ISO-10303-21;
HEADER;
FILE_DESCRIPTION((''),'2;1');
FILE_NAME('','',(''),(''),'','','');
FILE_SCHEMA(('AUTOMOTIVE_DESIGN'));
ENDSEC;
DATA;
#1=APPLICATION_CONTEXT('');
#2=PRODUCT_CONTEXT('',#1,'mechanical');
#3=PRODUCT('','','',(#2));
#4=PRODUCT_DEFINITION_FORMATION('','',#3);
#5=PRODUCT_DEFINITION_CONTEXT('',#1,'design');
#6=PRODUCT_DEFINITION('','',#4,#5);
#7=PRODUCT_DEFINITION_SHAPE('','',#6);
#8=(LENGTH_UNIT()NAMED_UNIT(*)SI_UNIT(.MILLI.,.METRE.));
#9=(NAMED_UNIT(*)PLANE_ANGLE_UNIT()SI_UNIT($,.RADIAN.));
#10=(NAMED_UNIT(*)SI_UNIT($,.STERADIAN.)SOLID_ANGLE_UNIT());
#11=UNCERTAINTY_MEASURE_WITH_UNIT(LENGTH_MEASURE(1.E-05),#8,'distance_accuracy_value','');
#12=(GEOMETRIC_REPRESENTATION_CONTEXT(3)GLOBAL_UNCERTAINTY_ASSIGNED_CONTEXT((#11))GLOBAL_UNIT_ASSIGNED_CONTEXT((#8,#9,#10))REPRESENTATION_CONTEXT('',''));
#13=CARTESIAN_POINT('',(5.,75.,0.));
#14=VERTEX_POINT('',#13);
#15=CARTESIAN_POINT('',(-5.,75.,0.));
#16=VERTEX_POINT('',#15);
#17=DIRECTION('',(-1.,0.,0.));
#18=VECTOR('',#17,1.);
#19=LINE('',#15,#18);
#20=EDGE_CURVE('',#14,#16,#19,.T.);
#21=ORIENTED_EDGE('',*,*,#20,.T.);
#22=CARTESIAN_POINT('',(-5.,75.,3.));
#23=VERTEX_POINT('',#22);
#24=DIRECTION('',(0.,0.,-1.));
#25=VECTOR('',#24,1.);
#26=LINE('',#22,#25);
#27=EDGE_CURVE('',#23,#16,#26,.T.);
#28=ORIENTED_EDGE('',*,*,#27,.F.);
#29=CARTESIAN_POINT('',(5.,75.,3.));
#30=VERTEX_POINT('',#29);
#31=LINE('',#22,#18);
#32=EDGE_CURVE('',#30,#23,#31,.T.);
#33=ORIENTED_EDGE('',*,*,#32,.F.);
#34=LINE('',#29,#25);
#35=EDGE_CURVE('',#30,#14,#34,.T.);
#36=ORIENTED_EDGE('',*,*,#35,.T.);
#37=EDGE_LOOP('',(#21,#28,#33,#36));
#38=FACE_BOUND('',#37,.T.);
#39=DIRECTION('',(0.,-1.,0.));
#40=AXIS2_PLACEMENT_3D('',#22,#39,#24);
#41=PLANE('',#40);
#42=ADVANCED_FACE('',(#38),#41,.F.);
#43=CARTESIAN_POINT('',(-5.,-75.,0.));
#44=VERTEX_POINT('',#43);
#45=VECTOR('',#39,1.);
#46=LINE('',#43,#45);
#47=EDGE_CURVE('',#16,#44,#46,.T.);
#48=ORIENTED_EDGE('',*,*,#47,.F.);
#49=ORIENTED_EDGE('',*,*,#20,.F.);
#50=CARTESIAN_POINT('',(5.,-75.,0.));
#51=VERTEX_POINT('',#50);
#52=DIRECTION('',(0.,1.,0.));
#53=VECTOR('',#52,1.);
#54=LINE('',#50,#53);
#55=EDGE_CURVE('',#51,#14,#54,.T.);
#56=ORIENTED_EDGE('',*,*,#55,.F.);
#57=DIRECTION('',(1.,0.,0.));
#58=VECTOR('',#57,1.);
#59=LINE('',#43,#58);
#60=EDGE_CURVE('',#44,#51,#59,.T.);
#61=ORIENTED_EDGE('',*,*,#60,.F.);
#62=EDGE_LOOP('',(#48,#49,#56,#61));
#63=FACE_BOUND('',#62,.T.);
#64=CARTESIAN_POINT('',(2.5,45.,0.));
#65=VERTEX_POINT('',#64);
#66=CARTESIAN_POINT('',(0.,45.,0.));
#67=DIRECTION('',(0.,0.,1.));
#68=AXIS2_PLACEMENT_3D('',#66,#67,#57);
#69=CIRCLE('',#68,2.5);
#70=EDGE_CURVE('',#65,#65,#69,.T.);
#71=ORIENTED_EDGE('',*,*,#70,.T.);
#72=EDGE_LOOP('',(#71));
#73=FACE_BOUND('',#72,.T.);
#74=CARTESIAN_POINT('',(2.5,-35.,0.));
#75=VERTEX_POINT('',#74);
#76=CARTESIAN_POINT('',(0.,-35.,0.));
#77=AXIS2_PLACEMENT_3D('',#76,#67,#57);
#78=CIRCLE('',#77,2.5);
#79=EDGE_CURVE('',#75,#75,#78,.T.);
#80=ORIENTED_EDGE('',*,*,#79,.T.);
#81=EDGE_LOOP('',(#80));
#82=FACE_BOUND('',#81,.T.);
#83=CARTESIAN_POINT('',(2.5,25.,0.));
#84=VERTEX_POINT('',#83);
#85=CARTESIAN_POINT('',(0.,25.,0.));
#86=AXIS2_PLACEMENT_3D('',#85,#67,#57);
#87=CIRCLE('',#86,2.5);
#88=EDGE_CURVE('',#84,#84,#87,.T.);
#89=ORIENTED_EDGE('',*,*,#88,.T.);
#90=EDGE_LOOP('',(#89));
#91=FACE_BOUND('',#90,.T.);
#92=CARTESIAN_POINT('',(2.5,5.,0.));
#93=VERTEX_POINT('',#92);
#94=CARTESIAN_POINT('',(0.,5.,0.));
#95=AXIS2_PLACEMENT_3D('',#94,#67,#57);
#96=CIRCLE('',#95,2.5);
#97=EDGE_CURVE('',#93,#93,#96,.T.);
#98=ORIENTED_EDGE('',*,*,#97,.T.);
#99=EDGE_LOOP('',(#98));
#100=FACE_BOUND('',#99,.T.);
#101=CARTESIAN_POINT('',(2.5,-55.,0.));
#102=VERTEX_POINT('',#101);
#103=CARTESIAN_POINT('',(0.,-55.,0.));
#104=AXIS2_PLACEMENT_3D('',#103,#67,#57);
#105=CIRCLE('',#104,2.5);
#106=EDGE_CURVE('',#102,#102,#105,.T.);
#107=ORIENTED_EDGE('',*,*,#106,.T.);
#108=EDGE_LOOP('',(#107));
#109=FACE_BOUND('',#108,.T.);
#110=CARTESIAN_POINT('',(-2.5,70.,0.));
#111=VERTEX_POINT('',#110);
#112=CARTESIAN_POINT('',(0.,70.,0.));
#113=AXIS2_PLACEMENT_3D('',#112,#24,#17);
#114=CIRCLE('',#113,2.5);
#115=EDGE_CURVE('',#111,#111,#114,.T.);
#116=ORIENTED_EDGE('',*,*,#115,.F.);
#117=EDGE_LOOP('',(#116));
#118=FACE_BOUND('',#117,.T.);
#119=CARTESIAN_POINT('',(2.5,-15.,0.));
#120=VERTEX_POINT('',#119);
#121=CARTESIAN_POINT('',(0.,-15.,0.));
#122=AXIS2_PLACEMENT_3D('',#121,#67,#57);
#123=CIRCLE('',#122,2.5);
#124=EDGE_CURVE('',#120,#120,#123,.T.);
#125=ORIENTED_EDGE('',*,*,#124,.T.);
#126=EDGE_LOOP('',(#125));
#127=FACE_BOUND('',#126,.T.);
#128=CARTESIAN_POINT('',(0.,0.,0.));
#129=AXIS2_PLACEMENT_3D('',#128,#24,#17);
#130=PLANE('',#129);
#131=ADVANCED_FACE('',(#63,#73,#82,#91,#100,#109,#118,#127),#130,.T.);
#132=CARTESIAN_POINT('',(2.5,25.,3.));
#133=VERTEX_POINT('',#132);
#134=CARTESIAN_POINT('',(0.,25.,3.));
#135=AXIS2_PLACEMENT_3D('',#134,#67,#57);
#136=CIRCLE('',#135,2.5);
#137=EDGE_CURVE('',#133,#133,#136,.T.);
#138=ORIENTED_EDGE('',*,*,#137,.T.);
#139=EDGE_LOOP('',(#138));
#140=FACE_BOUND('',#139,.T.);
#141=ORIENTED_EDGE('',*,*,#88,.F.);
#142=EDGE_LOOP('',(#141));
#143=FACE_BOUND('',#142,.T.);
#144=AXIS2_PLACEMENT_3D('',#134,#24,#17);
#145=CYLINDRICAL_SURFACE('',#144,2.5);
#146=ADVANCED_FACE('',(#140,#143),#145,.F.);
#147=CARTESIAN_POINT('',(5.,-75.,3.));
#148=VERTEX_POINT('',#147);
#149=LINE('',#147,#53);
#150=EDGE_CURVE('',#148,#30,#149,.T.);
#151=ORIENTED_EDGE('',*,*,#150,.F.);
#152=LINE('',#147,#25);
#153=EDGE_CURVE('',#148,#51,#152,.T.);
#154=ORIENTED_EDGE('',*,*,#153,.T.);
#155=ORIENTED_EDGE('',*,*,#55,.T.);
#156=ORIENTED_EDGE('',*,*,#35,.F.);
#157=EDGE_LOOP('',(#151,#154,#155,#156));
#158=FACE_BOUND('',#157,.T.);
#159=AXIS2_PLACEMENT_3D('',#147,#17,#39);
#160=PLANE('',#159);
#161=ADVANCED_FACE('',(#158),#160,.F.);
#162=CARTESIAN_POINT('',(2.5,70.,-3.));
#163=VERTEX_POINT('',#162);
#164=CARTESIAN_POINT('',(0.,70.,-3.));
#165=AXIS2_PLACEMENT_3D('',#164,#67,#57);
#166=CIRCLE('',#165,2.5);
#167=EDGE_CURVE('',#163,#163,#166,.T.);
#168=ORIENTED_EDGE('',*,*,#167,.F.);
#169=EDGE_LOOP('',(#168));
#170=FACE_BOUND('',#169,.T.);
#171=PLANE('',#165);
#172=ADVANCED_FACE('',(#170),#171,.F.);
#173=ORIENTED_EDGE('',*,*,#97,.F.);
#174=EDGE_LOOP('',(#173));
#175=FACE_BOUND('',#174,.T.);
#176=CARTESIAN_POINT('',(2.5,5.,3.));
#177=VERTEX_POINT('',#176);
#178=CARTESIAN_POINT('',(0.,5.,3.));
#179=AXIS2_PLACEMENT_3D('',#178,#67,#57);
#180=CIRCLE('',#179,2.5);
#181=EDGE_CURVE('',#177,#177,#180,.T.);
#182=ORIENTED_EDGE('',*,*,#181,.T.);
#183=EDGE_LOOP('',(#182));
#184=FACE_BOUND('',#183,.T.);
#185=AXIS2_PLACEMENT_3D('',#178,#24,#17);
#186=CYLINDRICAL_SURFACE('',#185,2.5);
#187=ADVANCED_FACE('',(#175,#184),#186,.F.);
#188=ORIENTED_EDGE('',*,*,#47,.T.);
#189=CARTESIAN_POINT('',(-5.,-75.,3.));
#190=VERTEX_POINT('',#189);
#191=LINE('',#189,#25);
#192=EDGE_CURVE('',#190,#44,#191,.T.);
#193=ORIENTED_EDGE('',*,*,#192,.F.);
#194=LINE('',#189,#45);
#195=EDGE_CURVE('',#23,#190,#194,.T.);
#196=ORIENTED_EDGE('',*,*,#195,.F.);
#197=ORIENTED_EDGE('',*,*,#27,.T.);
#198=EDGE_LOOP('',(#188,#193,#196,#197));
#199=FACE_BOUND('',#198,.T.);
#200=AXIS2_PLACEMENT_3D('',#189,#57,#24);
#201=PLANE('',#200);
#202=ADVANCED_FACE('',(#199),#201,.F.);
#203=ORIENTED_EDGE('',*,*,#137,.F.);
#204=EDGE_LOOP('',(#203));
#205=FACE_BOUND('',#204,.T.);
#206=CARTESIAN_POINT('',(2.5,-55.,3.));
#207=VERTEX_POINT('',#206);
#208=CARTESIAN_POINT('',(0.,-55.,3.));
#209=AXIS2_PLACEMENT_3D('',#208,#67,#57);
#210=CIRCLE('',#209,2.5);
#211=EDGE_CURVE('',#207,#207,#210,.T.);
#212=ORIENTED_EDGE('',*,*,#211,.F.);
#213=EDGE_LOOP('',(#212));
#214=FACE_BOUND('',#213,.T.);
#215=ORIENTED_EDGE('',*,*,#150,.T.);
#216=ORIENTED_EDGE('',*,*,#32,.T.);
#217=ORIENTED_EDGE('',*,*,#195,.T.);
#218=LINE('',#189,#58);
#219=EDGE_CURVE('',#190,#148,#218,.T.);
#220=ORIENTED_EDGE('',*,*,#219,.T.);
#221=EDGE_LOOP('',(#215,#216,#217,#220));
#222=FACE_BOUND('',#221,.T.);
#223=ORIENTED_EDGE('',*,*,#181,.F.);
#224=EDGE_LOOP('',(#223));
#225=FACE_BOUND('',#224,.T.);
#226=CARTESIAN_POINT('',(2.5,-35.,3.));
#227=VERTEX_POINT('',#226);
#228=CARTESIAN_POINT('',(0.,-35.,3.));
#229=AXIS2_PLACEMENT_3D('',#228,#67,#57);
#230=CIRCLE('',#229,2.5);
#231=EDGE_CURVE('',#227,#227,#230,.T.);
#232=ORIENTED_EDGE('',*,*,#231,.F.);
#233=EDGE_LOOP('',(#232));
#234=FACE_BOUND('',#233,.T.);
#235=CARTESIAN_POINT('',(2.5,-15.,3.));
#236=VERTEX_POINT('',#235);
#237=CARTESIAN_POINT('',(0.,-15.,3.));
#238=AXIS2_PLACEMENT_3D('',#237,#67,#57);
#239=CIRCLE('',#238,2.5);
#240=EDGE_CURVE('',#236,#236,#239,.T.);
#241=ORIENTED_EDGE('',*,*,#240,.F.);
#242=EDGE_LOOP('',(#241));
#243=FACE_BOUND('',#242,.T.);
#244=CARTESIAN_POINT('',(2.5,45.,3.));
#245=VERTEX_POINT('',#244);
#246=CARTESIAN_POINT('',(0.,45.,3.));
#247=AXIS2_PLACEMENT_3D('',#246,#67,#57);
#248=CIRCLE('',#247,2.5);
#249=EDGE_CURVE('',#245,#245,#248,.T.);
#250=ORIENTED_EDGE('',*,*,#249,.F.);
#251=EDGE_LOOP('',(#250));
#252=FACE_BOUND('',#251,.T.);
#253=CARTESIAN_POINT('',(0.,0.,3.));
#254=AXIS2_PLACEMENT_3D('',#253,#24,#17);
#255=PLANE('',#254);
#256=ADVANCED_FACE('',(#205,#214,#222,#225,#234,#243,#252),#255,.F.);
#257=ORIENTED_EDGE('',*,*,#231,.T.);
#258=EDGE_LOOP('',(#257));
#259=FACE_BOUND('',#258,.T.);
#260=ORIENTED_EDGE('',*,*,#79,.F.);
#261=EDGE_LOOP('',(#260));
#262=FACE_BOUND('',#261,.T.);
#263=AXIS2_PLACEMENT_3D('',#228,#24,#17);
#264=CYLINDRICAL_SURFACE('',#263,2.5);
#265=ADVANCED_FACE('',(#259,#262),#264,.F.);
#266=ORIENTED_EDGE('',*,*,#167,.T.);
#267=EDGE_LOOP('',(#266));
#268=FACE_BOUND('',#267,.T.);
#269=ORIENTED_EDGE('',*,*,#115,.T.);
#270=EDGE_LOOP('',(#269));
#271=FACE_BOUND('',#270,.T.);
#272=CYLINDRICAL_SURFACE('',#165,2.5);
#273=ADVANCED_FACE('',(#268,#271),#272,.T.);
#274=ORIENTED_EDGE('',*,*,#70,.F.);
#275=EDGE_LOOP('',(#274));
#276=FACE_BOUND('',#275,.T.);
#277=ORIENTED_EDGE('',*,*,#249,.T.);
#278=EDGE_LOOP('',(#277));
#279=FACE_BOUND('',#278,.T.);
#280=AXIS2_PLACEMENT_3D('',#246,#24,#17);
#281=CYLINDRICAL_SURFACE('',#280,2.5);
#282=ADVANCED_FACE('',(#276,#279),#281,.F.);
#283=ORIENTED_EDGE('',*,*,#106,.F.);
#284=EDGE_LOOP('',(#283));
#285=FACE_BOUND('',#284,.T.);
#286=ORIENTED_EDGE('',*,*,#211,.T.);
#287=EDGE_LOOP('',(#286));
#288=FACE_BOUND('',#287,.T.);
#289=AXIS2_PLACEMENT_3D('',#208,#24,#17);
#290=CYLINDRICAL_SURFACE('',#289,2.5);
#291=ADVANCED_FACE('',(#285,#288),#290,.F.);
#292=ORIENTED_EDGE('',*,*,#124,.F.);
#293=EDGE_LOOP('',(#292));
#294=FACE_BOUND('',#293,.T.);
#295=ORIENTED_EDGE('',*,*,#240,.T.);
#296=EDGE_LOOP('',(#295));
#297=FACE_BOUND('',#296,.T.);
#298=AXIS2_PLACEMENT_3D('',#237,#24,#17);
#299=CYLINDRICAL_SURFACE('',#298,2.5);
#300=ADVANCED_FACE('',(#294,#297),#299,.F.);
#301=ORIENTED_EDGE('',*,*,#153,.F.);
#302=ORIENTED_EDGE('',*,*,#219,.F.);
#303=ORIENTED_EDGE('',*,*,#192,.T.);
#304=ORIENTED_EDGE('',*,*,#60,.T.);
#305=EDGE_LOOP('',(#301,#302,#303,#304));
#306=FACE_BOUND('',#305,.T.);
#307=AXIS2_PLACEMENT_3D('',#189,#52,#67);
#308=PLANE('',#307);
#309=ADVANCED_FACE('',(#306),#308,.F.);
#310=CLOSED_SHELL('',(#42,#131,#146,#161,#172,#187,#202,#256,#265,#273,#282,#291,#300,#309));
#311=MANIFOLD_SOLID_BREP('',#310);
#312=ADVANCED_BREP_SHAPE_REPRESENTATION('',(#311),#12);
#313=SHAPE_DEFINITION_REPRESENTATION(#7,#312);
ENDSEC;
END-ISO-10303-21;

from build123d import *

# Parameters (mm, degrees)
SKETCH_1_W      = 10
SKETCH_1_H      = 150
SKETCH_1_R      = 2.5
EXTRUDE_1_DEPTH = 3
SKETCH_2_R      = 2.5
EXTRUDE_2_DEPTH = 6


with BuildPart() as part:
    # 草圖1 → 填料-伸長1 (new body)
    with BuildSketch(Plane.XY):
        Rectangle(SKETCH_1_W, SKETCH_1_H)
        with Locations((0, -55)):
            Circle(SKETCH_1_R, mode=Mode.SUBTRACT)
        with Locations((0, -35)):
            Circle(SKETCH_1_R, mode=Mode.SUBTRACT)
        with Locations((0, -15)):
            Circle(SKETCH_1_R, mode=Mode.SUBTRACT)
        with Locations((0, 5)):
            Circle(SKETCH_1_R, mode=Mode.SUBTRACT)
        with Locations((0, 25)):
            Circle(SKETCH_1_R, mode=Mode.SUBTRACT)
        with Locations((0, 45)):
            Circle(SKETCH_1_R, mode=Mode.SUBTRACT)
    extrude(amount=EXTRUDE_1_DEPTH)

    # 草圖2 → 填料-伸長2 (add)
    with BuildSketch(Plane.XY.offset(3)):
        with Locations((0, 70)):
            Circle(SKETCH_2_R)
    extrude(amount=-EXTRUDE_2_DEPTH)


solid = part.part
